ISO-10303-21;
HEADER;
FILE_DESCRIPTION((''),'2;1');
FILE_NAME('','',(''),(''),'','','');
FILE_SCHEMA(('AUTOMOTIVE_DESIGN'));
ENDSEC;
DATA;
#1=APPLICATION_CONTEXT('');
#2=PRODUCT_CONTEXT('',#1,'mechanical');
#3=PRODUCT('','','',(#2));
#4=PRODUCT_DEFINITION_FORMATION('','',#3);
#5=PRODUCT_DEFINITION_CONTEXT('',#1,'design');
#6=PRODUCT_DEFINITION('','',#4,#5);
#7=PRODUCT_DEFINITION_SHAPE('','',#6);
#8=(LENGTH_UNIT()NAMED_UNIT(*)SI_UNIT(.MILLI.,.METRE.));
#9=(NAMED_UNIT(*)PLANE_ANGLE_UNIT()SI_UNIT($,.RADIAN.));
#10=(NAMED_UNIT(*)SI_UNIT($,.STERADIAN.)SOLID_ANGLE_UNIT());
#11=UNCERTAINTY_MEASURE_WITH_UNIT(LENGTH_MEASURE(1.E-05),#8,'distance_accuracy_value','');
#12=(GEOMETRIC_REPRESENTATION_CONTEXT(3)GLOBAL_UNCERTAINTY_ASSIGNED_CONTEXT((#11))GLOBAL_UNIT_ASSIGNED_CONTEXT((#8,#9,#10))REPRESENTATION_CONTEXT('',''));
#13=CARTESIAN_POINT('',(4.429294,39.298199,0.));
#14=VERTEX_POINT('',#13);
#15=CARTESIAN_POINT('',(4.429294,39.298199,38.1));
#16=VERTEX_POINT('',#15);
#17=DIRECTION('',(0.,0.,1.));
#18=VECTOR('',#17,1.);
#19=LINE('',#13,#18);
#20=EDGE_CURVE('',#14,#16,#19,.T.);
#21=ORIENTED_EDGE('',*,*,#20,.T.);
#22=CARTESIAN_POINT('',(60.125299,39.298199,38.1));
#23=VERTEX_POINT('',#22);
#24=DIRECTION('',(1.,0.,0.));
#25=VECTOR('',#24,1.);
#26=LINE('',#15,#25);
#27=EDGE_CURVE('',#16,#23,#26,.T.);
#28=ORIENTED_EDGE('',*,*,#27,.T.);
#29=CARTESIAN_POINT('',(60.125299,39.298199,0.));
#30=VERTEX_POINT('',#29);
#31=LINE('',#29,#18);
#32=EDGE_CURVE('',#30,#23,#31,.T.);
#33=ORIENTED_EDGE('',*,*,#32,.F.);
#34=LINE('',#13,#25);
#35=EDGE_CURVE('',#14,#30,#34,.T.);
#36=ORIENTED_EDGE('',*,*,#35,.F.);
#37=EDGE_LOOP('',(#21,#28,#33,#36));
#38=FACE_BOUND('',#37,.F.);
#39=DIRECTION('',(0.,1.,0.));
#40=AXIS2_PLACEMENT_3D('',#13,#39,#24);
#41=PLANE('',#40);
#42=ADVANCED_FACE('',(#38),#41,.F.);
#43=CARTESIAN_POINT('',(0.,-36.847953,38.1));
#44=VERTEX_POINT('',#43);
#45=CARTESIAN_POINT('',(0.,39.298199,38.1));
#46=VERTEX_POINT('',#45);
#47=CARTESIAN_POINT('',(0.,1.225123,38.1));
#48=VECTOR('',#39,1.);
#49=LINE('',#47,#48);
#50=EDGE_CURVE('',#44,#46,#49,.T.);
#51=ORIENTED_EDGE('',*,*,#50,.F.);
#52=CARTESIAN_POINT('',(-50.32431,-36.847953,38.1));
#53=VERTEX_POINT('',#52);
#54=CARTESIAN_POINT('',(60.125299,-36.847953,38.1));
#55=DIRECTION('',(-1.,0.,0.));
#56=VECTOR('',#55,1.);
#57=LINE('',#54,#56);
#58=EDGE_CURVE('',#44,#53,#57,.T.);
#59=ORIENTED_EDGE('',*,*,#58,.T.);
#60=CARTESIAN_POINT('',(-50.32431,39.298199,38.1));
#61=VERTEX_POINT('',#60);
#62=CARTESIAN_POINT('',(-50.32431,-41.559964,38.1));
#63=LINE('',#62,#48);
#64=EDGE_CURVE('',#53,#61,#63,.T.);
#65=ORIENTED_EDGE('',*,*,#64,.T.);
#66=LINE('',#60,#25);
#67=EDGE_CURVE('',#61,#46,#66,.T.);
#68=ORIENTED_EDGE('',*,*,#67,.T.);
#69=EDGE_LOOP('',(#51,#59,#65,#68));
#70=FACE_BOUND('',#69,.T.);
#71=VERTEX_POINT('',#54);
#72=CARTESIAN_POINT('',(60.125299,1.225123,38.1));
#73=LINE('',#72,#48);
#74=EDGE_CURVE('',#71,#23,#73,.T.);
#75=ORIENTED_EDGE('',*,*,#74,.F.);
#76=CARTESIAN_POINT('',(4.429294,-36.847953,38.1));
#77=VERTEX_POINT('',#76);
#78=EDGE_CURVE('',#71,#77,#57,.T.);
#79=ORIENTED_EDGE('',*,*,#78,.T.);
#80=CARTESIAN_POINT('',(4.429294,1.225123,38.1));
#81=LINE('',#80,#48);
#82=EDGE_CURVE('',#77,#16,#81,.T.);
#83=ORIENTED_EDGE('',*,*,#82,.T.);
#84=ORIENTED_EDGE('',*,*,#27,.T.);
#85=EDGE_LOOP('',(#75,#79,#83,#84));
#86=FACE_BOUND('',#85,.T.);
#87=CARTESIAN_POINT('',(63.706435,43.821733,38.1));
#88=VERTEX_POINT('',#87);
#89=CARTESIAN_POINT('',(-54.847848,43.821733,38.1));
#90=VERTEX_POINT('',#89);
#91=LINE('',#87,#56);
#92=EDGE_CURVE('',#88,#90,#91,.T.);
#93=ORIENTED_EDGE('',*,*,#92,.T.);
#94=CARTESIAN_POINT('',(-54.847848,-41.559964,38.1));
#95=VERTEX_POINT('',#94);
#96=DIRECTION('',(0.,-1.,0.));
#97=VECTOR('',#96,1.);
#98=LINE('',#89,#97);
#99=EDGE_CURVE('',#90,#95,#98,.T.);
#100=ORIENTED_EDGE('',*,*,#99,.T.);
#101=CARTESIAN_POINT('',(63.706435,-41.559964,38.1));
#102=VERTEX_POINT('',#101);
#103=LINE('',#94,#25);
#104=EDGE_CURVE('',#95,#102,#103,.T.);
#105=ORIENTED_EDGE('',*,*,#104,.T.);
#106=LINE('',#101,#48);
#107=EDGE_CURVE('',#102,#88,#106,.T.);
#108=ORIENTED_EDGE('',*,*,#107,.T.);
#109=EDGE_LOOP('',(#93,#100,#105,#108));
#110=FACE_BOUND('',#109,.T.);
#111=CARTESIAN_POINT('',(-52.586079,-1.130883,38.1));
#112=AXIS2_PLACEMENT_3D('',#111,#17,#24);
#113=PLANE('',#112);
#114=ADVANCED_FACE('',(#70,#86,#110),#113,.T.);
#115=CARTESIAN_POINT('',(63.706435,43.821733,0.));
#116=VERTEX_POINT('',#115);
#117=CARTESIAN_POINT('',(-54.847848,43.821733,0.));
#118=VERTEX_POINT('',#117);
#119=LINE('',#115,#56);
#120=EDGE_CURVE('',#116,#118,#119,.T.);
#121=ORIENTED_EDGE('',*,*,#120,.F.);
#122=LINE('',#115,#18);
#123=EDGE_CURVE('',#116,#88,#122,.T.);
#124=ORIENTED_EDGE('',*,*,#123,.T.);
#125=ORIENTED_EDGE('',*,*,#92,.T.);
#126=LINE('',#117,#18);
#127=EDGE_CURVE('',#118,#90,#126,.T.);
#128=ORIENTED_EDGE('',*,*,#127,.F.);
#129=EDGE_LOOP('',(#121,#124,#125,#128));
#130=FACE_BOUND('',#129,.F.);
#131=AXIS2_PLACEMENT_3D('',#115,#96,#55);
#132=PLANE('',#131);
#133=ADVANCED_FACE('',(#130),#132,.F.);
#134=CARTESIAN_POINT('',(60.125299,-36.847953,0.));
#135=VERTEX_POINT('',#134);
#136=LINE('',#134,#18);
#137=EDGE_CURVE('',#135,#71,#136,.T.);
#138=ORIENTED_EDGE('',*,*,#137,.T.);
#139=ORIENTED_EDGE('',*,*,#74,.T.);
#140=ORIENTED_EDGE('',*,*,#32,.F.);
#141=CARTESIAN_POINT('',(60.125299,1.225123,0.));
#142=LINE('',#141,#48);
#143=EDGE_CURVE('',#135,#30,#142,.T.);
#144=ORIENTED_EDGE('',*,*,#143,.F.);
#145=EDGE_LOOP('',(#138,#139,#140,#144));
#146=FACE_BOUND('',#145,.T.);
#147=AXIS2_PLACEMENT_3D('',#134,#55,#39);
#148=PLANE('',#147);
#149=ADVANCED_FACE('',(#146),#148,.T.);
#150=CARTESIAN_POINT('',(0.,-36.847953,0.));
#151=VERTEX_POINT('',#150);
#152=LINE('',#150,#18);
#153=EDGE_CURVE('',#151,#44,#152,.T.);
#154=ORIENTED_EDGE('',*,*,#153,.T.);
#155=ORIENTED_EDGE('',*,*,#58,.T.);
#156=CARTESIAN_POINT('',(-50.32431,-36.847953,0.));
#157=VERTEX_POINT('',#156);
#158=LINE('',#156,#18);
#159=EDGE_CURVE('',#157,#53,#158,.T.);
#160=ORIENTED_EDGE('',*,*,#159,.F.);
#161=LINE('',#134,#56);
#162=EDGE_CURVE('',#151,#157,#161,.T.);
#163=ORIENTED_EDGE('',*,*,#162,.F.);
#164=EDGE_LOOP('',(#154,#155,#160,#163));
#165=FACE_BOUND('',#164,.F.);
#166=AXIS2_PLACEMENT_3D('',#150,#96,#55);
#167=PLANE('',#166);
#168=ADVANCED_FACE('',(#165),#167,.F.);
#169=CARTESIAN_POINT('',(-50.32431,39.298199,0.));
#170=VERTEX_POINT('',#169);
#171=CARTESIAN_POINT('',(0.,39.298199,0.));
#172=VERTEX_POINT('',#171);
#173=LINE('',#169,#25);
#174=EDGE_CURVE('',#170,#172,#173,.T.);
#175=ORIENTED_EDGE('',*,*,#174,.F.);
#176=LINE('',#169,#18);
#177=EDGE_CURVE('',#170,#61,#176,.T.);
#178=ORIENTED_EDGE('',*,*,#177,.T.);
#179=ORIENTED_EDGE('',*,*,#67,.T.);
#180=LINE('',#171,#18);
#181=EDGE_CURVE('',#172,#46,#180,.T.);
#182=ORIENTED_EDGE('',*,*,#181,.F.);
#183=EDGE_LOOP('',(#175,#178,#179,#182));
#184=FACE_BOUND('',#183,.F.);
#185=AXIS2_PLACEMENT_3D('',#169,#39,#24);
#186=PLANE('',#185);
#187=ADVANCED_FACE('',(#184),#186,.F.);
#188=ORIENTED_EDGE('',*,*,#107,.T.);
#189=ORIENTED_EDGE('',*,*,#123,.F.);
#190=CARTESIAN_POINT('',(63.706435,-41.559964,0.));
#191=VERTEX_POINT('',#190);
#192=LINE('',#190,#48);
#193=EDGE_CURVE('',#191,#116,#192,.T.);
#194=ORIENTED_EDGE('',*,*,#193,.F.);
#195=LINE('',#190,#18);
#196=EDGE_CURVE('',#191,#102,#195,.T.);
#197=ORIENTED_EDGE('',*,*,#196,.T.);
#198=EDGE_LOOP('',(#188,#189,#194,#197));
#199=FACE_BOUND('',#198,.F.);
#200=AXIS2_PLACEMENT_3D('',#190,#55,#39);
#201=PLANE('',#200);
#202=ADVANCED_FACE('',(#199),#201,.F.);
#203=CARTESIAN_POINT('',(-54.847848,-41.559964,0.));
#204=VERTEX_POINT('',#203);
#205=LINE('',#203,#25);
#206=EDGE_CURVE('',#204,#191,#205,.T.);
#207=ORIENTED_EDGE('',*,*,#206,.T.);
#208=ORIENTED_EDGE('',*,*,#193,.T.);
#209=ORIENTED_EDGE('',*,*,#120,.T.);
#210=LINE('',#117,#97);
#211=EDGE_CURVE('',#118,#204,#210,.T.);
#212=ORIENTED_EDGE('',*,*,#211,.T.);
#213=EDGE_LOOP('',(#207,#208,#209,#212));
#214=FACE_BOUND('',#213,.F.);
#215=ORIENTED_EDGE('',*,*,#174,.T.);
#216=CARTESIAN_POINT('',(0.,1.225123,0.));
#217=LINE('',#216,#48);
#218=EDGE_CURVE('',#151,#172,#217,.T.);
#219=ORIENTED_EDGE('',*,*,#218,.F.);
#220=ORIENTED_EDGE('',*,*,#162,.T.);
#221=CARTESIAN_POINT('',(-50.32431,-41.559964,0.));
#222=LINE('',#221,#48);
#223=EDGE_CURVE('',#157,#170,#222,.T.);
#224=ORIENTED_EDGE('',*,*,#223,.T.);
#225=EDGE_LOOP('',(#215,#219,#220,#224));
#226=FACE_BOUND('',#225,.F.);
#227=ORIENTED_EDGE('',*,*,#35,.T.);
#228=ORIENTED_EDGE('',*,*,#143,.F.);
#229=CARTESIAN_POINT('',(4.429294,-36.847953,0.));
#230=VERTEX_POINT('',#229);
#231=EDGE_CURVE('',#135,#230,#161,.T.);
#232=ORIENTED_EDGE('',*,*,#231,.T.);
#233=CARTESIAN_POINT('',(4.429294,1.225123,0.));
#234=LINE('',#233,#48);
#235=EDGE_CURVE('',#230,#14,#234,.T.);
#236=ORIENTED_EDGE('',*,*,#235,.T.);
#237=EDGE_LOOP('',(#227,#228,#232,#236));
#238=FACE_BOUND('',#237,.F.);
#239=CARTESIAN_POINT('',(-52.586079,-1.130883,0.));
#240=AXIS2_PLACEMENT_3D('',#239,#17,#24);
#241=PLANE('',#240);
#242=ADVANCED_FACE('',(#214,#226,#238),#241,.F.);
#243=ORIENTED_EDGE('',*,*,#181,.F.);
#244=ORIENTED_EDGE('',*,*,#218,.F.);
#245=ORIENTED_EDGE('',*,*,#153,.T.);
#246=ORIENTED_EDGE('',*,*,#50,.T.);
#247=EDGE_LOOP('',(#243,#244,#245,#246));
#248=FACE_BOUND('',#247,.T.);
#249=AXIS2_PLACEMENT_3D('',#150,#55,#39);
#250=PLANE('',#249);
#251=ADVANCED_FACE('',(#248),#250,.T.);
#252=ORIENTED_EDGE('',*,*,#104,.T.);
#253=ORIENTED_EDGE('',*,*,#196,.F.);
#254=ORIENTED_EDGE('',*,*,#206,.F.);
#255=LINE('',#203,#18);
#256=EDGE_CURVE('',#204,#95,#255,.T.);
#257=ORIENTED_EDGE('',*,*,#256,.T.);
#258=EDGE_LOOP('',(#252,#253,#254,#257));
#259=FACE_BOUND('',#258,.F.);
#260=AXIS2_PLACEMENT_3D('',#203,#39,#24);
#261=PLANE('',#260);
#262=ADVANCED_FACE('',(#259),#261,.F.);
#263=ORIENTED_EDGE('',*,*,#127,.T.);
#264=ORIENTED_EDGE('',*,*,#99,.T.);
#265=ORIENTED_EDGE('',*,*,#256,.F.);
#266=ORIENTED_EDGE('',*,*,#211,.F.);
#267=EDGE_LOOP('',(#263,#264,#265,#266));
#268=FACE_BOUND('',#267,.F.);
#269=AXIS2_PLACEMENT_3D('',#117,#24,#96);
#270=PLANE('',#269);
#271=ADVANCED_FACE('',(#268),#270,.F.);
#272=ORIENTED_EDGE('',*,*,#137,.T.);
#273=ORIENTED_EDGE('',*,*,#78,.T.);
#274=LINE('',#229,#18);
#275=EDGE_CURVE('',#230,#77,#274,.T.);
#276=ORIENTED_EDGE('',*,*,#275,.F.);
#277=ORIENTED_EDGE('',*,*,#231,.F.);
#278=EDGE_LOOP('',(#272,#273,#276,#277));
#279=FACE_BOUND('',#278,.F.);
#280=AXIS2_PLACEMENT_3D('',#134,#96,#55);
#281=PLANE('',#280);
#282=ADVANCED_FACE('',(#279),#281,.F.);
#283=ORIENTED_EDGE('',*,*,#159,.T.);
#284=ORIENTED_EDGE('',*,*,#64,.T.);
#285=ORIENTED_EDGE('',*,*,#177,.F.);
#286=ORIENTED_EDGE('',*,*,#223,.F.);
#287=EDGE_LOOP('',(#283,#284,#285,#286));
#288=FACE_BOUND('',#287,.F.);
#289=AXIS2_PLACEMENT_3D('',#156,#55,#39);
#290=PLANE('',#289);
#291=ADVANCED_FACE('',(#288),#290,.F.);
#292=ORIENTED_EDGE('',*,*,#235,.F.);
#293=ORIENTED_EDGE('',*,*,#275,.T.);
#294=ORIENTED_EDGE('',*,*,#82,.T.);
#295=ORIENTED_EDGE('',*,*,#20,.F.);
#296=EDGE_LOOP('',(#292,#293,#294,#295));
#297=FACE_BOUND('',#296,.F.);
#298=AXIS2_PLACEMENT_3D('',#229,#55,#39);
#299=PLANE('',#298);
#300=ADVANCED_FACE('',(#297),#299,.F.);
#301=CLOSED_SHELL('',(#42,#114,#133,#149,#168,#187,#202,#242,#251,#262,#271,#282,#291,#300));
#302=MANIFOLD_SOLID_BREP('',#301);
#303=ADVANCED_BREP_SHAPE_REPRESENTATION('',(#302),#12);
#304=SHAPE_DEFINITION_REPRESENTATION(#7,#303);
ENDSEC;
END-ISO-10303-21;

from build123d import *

# Parameters (mm, degrees)
F0_W     = 3.581136
F0_H     = 76.146152
F0_W_2   = 4.429294
F1_DEPTH = 38.1


with BuildPart() as f1:
    # F0 (on Top) → F1 (new body)
    with BuildSketch(Plane.XY):
        Polygon((-50.32431, 39.298199), (-54.847848, 39.298199), (-54.847848, -41.559964), (-50.32431, -41.559964), (-50.32431, -36.847953), align=None)
        with Locations((61.915867, 1.225123)):
            Rectangle(F0_W, F0_H)
        Polygon((63.706435, -41.559964), (63.706435, -36.847953), (60.125299, -36.847953), (4.429294, -36.847953), (0, -36.847953), (-50.32431, -36.847953), (-50.32431, -41.559964), align=None)
        with Locations((2.214647, 1.225123)):
            Rectangle(F0_W_2, F0_H)
        Polygon((63.706435, 43.821733), (-54.847848, 43.821733), (-54.847848, 39.298199), (-50.32431, 39.298199), (0, 39.298199), (4.429294, 39.298199), (60.125299, 39.298199), (63.706435, 39.298199), align=None)
    extrude(amount=F1_DEPTH)


solid = f1.part
